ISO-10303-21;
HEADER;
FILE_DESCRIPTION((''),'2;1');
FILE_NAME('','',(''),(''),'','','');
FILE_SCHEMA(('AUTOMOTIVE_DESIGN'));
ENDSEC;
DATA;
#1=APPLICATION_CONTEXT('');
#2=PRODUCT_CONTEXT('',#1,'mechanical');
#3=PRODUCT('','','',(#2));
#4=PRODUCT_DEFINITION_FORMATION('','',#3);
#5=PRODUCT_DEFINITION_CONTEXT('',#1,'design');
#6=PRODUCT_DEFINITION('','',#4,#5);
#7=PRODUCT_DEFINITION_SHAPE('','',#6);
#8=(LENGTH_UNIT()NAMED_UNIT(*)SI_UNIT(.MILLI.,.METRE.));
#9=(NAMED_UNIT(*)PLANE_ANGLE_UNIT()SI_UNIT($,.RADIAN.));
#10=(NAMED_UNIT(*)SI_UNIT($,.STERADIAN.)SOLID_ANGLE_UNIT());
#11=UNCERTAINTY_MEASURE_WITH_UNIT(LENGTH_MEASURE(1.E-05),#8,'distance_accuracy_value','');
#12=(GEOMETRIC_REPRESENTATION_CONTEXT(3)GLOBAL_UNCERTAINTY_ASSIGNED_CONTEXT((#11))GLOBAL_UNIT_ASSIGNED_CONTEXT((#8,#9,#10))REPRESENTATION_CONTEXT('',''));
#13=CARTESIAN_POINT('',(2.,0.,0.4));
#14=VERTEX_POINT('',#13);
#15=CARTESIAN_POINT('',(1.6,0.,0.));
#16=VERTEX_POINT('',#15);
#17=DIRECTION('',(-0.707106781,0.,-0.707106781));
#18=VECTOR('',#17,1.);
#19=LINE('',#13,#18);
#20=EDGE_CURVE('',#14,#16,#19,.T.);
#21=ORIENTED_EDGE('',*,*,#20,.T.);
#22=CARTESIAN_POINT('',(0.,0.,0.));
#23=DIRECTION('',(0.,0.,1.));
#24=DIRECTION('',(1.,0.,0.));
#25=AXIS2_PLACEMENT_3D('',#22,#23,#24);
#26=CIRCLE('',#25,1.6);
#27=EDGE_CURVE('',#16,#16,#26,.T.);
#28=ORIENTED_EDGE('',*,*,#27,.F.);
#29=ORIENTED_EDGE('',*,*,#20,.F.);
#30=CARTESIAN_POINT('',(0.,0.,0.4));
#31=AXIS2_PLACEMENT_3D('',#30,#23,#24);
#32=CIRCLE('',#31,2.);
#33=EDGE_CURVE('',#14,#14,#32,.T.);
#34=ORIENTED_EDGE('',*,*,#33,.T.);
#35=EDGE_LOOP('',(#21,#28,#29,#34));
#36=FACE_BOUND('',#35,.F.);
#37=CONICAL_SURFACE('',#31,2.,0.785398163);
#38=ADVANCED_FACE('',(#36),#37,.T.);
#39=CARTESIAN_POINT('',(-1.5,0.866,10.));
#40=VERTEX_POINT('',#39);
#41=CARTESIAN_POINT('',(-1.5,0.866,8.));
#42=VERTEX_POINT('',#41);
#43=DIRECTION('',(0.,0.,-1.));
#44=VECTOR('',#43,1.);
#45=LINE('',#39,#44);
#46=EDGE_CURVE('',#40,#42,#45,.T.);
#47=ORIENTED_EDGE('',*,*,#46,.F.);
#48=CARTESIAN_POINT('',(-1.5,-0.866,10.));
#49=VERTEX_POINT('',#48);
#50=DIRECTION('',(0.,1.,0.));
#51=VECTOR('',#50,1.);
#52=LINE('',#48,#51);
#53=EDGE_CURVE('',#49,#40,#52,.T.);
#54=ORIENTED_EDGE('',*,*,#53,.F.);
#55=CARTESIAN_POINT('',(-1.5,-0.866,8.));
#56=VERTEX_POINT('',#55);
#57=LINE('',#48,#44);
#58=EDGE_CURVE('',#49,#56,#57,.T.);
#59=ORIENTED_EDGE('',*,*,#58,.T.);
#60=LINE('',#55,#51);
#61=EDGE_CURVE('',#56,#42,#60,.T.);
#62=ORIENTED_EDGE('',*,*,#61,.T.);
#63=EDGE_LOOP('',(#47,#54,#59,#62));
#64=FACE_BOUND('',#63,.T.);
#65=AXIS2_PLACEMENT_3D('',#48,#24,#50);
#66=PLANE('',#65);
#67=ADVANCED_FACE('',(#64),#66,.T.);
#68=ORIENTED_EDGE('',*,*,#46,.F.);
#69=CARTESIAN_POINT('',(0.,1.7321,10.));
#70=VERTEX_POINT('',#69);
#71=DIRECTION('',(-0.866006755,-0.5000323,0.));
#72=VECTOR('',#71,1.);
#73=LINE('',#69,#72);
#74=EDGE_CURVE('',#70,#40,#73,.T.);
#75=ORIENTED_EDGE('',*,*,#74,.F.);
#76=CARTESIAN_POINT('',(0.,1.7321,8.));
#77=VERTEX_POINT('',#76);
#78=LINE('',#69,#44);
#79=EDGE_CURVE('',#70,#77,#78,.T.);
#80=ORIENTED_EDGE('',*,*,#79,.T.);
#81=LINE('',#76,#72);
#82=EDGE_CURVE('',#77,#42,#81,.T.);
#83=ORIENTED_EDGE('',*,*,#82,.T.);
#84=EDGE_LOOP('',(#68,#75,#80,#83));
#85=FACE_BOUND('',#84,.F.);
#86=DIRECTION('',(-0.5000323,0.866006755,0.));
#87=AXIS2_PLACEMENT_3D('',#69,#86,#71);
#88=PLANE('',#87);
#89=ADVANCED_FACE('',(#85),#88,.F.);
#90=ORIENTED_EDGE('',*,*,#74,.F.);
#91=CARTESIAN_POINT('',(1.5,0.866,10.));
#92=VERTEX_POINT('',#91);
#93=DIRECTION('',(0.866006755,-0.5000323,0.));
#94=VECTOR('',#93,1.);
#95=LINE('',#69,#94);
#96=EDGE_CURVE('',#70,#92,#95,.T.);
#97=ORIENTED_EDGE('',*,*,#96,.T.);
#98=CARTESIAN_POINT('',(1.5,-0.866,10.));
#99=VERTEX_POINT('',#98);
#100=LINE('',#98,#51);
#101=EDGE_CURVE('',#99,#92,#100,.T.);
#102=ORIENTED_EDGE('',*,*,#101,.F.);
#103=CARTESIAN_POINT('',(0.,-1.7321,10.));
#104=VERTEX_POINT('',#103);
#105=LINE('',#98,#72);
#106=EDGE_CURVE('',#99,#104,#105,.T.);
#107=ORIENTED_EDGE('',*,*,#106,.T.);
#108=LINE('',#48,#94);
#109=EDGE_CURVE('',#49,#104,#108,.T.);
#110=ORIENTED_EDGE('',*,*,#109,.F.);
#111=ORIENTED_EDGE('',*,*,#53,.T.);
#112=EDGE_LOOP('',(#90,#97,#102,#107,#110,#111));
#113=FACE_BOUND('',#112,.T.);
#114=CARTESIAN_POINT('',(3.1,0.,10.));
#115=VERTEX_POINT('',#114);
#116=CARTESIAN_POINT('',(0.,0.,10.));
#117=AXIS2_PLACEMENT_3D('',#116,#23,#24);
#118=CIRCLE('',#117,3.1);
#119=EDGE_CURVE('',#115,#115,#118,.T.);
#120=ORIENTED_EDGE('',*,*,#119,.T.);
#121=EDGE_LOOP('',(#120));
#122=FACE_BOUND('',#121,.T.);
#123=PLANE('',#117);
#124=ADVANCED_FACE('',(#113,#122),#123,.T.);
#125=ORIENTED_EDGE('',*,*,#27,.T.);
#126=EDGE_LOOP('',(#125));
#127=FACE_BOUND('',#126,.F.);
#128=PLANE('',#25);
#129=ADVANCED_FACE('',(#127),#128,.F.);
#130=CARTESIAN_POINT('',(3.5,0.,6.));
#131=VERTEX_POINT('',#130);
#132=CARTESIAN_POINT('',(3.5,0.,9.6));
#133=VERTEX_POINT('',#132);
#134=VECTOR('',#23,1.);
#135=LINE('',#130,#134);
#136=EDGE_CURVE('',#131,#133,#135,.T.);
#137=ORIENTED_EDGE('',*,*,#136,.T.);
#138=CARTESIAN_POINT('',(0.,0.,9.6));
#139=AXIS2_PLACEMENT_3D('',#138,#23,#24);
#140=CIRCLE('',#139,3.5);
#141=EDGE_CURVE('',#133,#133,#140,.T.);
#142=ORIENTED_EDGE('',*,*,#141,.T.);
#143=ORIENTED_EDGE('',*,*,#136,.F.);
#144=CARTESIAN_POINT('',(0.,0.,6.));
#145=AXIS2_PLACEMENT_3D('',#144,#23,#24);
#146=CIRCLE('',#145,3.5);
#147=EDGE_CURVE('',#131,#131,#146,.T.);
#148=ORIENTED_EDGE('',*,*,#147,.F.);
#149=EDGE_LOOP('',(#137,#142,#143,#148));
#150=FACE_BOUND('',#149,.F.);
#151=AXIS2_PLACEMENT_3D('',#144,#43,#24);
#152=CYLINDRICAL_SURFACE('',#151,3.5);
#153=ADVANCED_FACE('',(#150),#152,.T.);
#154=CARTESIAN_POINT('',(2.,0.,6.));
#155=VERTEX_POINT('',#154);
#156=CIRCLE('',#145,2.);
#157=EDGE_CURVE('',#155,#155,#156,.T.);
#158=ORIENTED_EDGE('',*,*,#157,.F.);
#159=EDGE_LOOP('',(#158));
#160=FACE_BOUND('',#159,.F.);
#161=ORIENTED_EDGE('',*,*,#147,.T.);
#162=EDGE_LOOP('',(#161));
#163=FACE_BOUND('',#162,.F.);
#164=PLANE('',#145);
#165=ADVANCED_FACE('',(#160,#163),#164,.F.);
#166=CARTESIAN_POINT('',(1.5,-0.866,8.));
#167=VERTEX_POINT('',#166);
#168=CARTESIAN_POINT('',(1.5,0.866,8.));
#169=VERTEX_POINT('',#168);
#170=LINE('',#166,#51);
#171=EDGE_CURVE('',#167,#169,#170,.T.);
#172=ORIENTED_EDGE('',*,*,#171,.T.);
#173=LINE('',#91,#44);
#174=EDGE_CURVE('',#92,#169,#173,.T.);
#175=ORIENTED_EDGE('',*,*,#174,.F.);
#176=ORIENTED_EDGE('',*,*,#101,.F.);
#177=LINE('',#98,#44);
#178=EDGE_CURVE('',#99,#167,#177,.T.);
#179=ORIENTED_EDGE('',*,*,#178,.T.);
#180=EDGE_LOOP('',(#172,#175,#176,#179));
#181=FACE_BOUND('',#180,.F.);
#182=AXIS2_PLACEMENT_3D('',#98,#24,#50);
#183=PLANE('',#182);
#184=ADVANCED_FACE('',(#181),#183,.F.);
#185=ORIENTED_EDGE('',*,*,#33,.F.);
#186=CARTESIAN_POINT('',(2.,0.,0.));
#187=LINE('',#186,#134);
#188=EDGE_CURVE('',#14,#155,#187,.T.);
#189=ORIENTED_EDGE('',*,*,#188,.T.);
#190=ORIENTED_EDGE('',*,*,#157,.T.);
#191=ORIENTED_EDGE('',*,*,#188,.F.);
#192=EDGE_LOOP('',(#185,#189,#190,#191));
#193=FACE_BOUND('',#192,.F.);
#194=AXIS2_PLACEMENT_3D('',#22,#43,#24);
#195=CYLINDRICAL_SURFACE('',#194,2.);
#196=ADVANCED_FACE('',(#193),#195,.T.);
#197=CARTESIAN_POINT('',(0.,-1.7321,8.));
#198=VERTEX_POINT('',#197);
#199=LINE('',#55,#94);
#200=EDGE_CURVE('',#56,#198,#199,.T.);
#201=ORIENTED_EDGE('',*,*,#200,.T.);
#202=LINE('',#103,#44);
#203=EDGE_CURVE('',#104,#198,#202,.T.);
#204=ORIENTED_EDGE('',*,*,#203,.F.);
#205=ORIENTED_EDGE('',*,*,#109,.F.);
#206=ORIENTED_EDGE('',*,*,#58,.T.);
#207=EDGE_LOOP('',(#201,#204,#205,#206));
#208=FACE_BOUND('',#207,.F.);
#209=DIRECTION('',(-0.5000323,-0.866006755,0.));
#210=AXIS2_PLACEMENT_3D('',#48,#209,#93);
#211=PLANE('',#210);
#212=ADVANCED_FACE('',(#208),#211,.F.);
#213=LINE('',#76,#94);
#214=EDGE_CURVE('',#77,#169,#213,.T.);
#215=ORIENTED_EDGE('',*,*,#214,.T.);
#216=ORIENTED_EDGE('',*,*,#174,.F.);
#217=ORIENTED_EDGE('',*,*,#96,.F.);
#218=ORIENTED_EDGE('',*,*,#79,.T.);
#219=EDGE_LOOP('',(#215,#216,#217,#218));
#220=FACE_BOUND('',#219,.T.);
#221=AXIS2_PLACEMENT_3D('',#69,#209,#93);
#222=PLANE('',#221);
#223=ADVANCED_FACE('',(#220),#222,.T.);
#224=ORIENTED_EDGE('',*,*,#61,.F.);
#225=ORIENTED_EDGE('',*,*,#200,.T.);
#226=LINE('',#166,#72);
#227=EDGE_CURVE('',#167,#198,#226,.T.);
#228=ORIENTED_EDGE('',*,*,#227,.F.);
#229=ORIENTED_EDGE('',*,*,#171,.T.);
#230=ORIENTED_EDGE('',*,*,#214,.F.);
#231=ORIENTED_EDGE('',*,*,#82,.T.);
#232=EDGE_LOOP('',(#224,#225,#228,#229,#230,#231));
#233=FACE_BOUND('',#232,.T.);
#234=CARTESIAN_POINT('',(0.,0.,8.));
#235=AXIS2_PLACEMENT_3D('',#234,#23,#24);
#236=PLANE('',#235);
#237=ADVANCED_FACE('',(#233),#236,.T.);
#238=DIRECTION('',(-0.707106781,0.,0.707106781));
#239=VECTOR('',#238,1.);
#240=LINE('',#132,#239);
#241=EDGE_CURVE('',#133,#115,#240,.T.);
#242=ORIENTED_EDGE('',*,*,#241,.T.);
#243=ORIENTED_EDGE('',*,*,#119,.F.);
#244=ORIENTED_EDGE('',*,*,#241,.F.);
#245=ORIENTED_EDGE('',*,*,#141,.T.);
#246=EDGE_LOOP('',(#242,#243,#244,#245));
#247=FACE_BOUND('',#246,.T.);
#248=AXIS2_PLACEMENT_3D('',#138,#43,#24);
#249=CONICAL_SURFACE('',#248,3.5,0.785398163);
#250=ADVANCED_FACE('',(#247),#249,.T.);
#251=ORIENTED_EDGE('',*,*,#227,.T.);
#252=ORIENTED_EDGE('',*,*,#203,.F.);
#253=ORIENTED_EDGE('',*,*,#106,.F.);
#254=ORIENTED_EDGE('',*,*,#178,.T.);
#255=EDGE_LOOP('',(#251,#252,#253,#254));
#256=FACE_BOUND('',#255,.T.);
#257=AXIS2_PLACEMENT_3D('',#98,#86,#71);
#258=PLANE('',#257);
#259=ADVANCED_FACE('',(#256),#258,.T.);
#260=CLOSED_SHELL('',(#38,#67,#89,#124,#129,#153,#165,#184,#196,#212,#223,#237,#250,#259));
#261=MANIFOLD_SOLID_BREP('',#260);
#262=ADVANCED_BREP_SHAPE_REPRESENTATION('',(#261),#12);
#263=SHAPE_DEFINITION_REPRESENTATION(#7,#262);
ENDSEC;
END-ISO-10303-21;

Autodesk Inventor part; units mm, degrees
ref_plane "YZ Plane" through (0, 0, 0) normal (1, 0, 0) x (0, 1, 0)
ref_plane "XZ Plane" through (0, 0, 0) normal (0, 1, 0) x (-1, 0, 0)
ref_plane "XY Plane" through (0, 0, 0) normal (0, 0, 1) x (1, 0, 0)
sketch "Sketch1" plane through (0, 0, 0) normal (0, 0, 1) x (1, 0, 0)
  circle A0 centre (0, 0) radius 2
  dimension "Diameter" = 4
extrude "Extrusion1" add sketch "Sketch1" along normal blind 6
sketch "Sketch2" plane through (0, 0, 6) normal (0, 0, 1) x (1, 0, 0)
  circle A0 centre (0, 0) radius 2 projected
  circle A1 centre (0, 0) radius 3.5
  dimension "Head_Diameter" = 7
extrude "Extrusion2" add sketch "Sketch2" along normal blind 4 contours A0 | A1
sketch "Sketch3" plane through (0, 0, 10) normal (0, 0, 1) x (1, 0, 0)
  circle A0 centre (0, 0) radius 3.5 projected
  circle A1 centre (0, 0) radius 1.7321 construction
  line L0 (0, 1.7321) -> (1.5, 0.866)
  line L1 (1.5, -0.866) -> (1.5, 0.866)
  line L2 (0, 1.7321) -> (-1.5, 0.866)
  line L3 (-1.5, -0.866) -> (-1.5, 0.866)
  line L4 (-1.5, -0.866) -> (0, -1.7321)
  line L5 (1.5, -0.866) -> (0, -1.7321)
  dimension "Hex_Width" = 3
extrude "Extrusion3" cut sketch "Sketch3" against normal blind 2 contours L0 L1 L5 L4 L3 L2
thread "Thread1" size "M4x0.7" class "4g6g" standard "ANSI Metric M Profile" length 6
chamfer "Chamfer1" distance 0.4 angle 45 2 edges at (-3.5, 0, 10) (-2, 0, 0)
equation "\"d9\" = ThreadLength"
equation "\"d12\" = Chamfer"
equation "\"ThreadLength\" = 6"
equation "\"Chamfer\" = 0.4"
properties part number "SCREW,SOCKET HD,P,12.9,M4x0.7X6MM" material "Steel, MS"
